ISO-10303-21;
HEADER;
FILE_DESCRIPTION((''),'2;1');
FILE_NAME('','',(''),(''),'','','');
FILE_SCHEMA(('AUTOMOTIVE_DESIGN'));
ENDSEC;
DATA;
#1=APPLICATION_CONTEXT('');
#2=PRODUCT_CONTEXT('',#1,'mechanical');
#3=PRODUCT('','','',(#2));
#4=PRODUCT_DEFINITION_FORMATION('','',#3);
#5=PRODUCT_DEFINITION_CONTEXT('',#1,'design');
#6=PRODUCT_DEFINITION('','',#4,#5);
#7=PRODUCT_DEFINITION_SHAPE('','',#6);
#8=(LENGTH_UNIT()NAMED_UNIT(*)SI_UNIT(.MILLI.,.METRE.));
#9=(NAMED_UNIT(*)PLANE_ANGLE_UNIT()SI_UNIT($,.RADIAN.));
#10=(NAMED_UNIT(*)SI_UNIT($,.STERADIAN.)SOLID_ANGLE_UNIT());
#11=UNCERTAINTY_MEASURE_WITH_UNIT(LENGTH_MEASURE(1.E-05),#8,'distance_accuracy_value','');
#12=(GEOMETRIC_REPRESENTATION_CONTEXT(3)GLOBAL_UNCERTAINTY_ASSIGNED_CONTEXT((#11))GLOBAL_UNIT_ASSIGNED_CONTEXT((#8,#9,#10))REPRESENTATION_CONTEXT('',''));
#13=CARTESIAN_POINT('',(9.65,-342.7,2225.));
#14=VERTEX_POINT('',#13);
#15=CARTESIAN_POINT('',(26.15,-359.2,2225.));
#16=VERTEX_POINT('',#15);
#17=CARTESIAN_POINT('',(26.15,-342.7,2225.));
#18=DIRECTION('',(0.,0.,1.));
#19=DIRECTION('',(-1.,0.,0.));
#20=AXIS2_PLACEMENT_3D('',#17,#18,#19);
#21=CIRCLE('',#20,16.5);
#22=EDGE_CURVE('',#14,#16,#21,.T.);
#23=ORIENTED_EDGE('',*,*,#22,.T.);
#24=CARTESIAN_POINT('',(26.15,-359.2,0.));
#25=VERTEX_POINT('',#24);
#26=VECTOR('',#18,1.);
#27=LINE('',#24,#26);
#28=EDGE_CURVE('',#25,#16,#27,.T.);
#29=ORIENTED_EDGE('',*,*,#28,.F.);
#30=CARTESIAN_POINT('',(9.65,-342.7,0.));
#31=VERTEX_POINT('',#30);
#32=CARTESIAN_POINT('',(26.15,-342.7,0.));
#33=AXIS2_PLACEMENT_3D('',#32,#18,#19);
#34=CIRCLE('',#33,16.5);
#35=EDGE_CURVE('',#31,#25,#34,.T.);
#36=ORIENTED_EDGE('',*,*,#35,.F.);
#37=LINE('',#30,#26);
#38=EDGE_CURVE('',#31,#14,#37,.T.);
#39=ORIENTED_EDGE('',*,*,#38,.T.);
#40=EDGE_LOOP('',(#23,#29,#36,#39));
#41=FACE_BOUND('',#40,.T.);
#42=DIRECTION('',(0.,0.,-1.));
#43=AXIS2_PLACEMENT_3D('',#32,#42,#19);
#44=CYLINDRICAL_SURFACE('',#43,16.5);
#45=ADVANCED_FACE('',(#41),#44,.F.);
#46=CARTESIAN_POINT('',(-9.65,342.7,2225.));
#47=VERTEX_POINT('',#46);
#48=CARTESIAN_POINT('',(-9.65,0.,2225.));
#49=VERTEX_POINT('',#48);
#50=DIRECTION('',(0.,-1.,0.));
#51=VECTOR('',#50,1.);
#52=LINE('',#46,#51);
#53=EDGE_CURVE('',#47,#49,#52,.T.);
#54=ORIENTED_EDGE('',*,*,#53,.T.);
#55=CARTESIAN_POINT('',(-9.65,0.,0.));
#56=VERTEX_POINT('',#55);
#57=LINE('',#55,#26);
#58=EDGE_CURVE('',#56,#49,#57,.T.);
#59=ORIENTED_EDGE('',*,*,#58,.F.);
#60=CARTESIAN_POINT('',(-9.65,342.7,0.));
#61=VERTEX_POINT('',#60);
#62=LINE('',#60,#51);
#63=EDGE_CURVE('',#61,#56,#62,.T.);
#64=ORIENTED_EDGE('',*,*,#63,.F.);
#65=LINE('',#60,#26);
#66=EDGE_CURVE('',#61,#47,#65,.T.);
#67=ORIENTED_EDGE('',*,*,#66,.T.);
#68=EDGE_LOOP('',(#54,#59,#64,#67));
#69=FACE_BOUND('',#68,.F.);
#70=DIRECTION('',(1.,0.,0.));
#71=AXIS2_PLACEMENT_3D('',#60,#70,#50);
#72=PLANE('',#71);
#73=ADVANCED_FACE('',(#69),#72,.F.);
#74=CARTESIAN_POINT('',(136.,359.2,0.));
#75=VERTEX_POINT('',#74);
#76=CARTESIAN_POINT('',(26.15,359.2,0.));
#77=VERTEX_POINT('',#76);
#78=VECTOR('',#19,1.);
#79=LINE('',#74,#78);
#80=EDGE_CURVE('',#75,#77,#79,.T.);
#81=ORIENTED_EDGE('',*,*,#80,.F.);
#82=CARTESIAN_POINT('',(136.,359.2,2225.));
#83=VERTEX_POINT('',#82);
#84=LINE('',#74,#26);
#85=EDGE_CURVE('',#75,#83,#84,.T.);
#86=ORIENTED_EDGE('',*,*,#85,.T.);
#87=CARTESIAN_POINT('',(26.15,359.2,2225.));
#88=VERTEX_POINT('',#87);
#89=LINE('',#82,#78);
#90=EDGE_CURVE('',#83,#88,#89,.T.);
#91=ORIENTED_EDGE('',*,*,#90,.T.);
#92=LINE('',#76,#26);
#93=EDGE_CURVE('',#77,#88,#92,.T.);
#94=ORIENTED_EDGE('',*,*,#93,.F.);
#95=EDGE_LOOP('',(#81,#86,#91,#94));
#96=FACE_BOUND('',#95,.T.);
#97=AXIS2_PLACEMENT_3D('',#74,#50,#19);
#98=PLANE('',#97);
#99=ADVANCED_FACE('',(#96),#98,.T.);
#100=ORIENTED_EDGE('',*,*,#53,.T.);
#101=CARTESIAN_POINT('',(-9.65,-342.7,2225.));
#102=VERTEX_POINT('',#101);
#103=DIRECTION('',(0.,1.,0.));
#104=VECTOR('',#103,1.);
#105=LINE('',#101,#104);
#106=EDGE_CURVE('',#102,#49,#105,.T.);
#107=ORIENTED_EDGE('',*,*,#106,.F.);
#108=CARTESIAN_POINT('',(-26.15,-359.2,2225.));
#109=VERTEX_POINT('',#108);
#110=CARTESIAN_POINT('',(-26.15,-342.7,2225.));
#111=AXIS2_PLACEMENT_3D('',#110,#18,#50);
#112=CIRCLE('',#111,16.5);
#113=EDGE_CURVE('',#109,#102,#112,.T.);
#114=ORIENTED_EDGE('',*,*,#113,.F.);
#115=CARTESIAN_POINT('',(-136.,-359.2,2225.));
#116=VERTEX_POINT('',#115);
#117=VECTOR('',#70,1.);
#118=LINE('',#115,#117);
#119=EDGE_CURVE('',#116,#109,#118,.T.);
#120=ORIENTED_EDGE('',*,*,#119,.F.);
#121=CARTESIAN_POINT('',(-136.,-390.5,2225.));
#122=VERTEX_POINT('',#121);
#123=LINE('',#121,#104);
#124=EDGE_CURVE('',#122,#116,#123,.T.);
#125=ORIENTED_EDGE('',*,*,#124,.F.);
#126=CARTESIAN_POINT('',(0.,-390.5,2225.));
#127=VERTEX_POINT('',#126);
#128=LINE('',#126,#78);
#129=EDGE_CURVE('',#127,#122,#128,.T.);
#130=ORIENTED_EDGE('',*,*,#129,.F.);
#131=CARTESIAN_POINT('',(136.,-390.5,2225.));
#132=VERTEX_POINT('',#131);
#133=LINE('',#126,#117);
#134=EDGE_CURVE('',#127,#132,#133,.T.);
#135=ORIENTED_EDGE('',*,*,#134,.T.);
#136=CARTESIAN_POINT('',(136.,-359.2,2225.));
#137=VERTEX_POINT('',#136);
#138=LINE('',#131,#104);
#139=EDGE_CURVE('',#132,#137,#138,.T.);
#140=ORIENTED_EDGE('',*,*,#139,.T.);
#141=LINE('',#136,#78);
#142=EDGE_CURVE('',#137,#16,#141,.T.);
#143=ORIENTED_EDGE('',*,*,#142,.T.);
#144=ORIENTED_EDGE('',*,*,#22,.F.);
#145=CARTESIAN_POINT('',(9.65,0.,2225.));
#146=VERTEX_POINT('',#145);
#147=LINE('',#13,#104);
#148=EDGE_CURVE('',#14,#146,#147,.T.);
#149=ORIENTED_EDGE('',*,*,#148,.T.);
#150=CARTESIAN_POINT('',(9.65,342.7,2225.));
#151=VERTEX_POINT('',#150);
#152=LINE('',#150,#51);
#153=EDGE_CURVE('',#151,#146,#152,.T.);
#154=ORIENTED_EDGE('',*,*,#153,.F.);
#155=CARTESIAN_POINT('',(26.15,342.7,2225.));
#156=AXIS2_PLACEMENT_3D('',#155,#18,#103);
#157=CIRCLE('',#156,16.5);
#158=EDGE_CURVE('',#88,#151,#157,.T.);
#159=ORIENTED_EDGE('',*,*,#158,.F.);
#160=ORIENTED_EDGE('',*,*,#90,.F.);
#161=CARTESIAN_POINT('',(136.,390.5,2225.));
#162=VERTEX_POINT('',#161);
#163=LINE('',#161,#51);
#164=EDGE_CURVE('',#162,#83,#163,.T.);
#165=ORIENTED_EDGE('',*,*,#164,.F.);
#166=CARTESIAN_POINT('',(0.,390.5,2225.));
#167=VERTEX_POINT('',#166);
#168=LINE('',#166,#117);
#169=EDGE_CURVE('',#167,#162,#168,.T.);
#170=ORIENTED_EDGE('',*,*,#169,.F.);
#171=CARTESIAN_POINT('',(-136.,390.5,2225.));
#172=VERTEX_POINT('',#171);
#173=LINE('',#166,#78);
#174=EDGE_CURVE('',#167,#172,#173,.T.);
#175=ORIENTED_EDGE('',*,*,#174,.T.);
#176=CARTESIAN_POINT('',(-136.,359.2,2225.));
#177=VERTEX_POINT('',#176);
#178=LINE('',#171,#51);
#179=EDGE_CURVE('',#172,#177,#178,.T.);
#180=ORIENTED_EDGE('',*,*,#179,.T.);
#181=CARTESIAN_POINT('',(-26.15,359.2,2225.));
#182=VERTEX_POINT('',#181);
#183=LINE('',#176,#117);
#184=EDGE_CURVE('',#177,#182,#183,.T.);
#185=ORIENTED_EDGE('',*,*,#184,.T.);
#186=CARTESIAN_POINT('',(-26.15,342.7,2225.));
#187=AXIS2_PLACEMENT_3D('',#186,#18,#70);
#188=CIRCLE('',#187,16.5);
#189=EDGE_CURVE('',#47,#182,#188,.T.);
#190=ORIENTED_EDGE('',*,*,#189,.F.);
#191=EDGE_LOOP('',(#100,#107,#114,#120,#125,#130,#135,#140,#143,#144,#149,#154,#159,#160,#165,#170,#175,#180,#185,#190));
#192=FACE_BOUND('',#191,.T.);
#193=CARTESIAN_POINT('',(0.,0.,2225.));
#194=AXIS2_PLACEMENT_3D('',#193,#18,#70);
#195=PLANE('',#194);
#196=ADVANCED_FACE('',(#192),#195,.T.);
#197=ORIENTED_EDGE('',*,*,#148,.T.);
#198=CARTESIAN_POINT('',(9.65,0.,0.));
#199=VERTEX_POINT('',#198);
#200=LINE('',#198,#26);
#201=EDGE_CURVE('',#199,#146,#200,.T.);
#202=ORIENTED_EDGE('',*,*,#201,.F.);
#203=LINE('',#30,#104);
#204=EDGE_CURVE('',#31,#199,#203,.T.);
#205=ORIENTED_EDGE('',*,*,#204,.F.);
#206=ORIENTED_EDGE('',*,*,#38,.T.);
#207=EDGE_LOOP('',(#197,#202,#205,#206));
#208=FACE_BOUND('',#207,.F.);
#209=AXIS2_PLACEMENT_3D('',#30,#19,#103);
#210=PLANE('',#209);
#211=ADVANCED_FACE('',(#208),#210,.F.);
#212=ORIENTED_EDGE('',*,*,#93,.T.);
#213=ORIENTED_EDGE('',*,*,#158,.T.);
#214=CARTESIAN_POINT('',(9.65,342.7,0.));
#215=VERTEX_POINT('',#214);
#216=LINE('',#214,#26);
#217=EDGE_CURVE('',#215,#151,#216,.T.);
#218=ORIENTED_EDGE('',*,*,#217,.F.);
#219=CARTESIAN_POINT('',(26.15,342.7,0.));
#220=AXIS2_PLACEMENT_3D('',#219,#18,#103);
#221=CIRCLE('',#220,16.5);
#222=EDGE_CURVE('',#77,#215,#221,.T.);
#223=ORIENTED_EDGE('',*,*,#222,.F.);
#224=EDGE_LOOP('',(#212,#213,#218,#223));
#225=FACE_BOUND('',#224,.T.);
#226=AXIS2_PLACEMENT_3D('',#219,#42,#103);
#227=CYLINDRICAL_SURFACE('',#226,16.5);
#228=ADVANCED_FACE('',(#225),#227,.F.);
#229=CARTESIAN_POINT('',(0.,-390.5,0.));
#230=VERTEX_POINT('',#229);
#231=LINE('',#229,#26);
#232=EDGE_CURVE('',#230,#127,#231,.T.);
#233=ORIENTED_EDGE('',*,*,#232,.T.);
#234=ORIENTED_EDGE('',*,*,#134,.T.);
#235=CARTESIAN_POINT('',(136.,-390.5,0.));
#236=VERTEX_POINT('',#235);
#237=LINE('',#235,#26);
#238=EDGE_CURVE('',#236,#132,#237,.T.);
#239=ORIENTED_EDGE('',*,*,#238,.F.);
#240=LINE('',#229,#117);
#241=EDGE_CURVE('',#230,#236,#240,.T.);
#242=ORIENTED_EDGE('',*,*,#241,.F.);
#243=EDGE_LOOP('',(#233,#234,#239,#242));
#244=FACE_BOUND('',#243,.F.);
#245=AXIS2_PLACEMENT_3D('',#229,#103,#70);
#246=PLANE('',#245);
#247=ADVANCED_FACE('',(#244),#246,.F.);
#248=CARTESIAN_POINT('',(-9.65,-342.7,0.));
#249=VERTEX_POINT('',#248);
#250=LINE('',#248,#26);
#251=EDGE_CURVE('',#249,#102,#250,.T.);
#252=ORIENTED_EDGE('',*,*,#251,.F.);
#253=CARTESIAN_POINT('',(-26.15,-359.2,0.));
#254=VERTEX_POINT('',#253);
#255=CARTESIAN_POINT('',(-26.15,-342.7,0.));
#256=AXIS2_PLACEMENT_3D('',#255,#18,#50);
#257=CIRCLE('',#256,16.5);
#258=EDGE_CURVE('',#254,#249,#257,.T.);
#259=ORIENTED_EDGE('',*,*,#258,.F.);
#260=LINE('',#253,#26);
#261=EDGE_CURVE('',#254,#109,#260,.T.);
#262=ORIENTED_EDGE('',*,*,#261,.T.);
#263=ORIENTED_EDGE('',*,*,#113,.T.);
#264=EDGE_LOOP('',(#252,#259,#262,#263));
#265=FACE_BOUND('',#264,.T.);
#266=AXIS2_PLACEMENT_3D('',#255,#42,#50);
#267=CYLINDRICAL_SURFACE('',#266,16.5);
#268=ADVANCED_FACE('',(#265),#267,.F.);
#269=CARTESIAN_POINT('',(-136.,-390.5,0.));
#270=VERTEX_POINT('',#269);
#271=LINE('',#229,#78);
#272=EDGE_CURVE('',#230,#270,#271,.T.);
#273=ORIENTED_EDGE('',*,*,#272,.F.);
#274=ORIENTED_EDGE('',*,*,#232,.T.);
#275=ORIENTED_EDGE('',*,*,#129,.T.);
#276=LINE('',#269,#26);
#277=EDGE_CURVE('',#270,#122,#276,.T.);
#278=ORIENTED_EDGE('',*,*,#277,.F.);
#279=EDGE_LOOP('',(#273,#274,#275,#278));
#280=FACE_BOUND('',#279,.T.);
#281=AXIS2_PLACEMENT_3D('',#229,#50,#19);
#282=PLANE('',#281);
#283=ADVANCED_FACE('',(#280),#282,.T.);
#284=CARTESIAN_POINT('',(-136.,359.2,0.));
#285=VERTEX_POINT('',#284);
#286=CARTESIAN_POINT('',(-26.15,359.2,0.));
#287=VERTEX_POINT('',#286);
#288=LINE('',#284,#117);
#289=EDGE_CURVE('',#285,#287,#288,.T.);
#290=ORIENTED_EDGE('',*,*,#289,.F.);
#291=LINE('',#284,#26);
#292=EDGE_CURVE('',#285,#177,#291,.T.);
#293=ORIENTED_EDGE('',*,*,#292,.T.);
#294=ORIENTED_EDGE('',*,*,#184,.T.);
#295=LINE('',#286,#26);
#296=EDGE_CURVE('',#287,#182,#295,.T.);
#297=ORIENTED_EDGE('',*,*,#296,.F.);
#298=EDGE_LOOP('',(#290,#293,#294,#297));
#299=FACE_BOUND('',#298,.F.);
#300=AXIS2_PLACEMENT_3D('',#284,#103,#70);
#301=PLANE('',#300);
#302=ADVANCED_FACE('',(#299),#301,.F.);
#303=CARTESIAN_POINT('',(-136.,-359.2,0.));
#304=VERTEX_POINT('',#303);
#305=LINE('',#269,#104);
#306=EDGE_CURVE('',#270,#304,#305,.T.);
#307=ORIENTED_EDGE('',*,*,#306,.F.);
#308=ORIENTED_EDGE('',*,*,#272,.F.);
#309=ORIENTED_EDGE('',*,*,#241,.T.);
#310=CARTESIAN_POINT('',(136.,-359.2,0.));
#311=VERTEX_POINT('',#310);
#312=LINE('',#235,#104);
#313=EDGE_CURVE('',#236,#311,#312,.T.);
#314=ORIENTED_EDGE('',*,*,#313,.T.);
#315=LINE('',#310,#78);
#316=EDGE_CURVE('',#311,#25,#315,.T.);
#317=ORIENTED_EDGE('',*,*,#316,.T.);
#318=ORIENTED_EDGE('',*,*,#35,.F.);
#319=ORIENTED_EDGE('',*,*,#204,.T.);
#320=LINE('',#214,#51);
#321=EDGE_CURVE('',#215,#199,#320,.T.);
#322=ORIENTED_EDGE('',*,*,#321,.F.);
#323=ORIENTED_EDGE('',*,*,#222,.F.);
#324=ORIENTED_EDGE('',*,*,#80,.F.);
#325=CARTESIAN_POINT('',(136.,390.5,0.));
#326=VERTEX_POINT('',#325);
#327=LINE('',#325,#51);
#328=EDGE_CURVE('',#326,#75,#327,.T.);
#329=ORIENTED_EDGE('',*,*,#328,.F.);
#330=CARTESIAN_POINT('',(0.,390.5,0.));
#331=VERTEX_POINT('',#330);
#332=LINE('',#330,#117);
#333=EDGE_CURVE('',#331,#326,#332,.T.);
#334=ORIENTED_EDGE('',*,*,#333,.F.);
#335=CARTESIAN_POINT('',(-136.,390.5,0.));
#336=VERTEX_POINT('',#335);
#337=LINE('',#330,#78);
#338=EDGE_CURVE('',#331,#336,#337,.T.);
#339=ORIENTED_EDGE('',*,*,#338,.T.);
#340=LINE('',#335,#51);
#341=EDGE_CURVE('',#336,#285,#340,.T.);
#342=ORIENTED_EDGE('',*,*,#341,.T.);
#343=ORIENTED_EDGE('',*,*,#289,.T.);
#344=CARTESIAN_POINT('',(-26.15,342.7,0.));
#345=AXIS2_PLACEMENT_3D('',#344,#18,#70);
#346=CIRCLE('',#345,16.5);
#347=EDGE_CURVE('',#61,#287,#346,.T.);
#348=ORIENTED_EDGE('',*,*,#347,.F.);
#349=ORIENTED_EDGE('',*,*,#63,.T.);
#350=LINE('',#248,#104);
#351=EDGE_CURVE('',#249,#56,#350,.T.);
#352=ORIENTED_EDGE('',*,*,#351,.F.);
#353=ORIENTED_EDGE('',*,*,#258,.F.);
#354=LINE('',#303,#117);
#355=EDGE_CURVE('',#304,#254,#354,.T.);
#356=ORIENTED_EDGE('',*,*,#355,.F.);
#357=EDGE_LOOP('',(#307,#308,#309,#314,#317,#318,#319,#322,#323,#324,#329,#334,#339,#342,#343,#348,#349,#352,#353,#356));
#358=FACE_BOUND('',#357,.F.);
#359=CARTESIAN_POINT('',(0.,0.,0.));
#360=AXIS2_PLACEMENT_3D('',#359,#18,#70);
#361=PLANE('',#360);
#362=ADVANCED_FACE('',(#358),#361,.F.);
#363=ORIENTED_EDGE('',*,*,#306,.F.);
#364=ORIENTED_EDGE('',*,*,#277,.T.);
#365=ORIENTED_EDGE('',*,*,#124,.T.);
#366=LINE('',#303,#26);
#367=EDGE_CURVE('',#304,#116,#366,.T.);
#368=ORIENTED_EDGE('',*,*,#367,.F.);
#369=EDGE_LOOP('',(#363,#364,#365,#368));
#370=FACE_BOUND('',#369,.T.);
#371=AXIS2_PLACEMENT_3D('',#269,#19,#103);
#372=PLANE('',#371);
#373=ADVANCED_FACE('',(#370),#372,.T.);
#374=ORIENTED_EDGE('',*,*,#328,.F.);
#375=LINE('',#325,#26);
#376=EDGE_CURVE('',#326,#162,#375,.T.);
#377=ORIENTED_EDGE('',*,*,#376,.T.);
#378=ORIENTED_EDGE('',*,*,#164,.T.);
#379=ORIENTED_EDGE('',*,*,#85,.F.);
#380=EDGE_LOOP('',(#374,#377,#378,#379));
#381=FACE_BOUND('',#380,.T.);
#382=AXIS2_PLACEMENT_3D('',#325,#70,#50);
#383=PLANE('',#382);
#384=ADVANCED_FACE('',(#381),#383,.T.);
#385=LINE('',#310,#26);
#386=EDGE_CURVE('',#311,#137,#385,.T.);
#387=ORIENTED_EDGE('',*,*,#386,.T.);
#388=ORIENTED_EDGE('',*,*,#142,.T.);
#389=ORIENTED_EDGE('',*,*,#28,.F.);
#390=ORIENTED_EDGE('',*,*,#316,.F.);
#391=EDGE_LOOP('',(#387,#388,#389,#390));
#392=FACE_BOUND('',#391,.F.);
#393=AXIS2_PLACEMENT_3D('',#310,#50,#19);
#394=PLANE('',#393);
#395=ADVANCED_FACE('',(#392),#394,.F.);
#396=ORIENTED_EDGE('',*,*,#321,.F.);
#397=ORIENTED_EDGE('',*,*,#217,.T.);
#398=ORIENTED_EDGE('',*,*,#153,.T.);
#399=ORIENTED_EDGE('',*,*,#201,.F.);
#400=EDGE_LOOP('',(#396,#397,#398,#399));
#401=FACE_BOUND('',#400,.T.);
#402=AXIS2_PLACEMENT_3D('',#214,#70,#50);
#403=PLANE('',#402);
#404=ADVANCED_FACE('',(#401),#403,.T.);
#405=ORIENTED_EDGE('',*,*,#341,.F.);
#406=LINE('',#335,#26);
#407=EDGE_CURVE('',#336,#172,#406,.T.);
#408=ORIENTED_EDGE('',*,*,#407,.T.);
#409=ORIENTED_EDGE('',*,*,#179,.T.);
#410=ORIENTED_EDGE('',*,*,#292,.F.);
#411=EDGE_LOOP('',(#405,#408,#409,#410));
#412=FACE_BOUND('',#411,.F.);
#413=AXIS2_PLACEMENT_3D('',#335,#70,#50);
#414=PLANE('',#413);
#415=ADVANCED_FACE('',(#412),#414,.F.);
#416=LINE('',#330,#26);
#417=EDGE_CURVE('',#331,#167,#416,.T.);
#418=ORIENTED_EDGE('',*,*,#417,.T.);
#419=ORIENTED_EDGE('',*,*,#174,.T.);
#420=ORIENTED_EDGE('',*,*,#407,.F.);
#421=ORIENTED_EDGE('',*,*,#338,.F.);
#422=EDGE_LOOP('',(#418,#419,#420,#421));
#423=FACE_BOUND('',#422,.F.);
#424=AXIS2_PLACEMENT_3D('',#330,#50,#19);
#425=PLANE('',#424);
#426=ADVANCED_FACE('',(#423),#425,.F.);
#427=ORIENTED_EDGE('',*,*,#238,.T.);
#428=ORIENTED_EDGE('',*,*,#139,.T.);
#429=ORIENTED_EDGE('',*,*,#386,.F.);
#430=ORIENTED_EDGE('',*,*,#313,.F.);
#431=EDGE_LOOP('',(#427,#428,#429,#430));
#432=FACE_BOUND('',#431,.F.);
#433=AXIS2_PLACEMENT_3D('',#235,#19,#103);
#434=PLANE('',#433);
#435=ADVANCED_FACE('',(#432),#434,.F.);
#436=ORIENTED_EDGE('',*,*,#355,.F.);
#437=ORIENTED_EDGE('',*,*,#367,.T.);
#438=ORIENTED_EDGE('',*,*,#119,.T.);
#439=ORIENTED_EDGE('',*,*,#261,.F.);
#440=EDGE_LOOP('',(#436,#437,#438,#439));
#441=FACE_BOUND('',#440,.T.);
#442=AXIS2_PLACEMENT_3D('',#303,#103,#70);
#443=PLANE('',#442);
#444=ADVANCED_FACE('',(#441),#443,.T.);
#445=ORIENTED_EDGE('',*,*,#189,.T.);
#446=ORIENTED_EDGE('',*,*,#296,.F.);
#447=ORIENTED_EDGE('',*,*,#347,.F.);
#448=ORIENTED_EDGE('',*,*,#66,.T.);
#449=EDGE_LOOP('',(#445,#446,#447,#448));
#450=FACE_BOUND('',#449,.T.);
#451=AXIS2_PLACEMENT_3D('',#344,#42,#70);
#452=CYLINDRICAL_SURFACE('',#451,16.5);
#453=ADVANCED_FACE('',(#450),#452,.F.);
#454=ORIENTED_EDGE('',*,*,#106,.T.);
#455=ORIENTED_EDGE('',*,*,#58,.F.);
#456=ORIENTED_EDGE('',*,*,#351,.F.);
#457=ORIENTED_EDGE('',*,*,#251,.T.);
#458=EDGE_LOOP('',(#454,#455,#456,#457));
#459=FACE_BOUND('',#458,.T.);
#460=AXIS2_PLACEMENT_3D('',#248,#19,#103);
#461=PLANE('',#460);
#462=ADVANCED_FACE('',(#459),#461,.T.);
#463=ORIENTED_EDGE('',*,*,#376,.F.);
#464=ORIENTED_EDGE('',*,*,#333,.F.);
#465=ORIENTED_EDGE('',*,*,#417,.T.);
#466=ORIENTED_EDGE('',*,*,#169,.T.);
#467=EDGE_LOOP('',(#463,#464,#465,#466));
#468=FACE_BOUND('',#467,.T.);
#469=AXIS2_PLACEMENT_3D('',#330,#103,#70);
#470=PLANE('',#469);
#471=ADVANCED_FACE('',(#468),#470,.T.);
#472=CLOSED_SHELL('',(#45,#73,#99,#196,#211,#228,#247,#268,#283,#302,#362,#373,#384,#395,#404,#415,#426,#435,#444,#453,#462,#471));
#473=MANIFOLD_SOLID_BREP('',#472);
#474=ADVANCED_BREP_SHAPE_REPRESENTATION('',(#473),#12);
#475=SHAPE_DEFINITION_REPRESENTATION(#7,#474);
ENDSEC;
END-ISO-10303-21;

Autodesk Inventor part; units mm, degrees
ref_plane "YZ Plane" through (0, 0, 0) normal (1, 0, 0) x (0, 1, 0)
ref_plane "Start plane" through (0, 0, 0) normal (0, 0, 1) x (1, 0, 0)
ref_plane "End plane" through (0, 0, 2225) normal (0, 0, 1) x (1, 0, 0)
sketch "Sketch" plane through (0, 0, 0) normal (0, 0, 1) x (1, 0, 0)
  line L0 (-136, -390.5) -> (-136, -359.2)
  line L1 (-136, -359.2) -> (-26.15, -359.2)
  line L2 (-9.65, -342.7) -> (-9.65, 0)
  line L3 (-9.65, 0) -> (0, 0) construction
  line L4 (0, 0) -> (0, -390.5) construction
  line L5 (0, -390.5) -> (-136, -390.5)
  line L6 (-60, 0) -> (80, 0) construction
  line L7 (0, -60) -> (0, 80) construction
  line L8 (136, -390.5) -> (136, -359.2)
  line L9 (136, -359.2) -> (26.15, -359.2)
  line L10 (9.65, -342.7) -> (9.65, 0)
  line L11 (9.65, 0) -> (0, 0) construction
  line L12 (0, -390.5) -> (136, -390.5)
  line L13 (-136, 390.5) -> (-136, 359.2)
  line L14 (-136, 359.2) -> (-26.15, 359.2)
  line L15 (-9.65, 342.7) -> (-9.65, 0)
  line L16 (0, 390.5) -> (-136, 390.5)
  line L17 (136, 390.5) -> (136, 359.2)
  line L18 (136, 359.2) -> (26.15, 359.2)
  line L19 (0, 390.5) -> (136, 390.5)
  line L20 (9.65, 342.7) -> (9.65, 0)
  arc A0 (-9.65, 342.7) -> (-26.15, 359.2) centre (-26.15, 342.7) ccw
  arc A1 (26.15, 359.2) -> (9.65, 342.7) centre (26.15, 342.7) ccw
  arc A2 (9.65, -342.7) -> (26.15, -359.2) centre (26.15, -342.7) ccw
  arc A3 (-26.15, -359.2) -> (-9.65, -342.7) centre (-26.15, -342.7) ccw
  line L21 (0, 108) -> (0, -88) construction
  line L22 (-88, 0) -> (108, 0) construction
  point P0 (-9.65, -359.2)
  point P1 (9.65, -359.2)
  point P2 (-9.65, 359.2)
  point P3 (9.65, 359.2)
  dimension "d1" = 390.5
  dimension "d2" = 31.3
  dimension "d3" = 136
  dimension "d4" = 9.65
  dimension "d10" = 16.5
extrude "Body" add sketch "Sketch" along normal up to surface (2225 mm away) from surface at 0
sketch "Sketch4" plane through (0, 0, 0) normal (0, 0, 1) x (1, 0, 0)
  line L0 (0, 0) -> (10, 0)
ref_plane "Work Plane3" through (0, 0, 0) normal (0, -1, 0) x (1, 0, 0)
sketch "Sketch5" plane through (0, 0, 0) normal (0, -1, 0) x (1, 0, 0)
  line L0 (-2, 0) -> (12, 0) projected
  line L1 (-2, 2225) -> (12, 2225) projected
  dimension "d14" = 2225
equation "\"d1\" = 0.5 * G_H"
equation "\"d2\" = G_T1"
equation "\"d3\" = 0.5 * G_W"
equation "\"d4\" = 0.5 * G_T"
equation "\"d10\" = G_IR"
equation "\"d5\" = G_L"
equation "\"G_W\" = 272"
equation "\"G_H\" = 781"
equation "\"G_T\" = 19.3"
equation "\"G_T1\" = 31.3"
equation "\"G_IR\" = 16.5"
equation "\"G_L\" = d14"
equation "\"G_OFFSET_START\" = 0"
equation "\"G_OFFSET_END\" = 0"
equation "\"d12\" = G_OFFSET_END + B_L"
equation "\"B_L\" = 2225"
properties part number "AS 3679-1990 - 760 UB - 244 - 2225" material "Steel, Mild"
